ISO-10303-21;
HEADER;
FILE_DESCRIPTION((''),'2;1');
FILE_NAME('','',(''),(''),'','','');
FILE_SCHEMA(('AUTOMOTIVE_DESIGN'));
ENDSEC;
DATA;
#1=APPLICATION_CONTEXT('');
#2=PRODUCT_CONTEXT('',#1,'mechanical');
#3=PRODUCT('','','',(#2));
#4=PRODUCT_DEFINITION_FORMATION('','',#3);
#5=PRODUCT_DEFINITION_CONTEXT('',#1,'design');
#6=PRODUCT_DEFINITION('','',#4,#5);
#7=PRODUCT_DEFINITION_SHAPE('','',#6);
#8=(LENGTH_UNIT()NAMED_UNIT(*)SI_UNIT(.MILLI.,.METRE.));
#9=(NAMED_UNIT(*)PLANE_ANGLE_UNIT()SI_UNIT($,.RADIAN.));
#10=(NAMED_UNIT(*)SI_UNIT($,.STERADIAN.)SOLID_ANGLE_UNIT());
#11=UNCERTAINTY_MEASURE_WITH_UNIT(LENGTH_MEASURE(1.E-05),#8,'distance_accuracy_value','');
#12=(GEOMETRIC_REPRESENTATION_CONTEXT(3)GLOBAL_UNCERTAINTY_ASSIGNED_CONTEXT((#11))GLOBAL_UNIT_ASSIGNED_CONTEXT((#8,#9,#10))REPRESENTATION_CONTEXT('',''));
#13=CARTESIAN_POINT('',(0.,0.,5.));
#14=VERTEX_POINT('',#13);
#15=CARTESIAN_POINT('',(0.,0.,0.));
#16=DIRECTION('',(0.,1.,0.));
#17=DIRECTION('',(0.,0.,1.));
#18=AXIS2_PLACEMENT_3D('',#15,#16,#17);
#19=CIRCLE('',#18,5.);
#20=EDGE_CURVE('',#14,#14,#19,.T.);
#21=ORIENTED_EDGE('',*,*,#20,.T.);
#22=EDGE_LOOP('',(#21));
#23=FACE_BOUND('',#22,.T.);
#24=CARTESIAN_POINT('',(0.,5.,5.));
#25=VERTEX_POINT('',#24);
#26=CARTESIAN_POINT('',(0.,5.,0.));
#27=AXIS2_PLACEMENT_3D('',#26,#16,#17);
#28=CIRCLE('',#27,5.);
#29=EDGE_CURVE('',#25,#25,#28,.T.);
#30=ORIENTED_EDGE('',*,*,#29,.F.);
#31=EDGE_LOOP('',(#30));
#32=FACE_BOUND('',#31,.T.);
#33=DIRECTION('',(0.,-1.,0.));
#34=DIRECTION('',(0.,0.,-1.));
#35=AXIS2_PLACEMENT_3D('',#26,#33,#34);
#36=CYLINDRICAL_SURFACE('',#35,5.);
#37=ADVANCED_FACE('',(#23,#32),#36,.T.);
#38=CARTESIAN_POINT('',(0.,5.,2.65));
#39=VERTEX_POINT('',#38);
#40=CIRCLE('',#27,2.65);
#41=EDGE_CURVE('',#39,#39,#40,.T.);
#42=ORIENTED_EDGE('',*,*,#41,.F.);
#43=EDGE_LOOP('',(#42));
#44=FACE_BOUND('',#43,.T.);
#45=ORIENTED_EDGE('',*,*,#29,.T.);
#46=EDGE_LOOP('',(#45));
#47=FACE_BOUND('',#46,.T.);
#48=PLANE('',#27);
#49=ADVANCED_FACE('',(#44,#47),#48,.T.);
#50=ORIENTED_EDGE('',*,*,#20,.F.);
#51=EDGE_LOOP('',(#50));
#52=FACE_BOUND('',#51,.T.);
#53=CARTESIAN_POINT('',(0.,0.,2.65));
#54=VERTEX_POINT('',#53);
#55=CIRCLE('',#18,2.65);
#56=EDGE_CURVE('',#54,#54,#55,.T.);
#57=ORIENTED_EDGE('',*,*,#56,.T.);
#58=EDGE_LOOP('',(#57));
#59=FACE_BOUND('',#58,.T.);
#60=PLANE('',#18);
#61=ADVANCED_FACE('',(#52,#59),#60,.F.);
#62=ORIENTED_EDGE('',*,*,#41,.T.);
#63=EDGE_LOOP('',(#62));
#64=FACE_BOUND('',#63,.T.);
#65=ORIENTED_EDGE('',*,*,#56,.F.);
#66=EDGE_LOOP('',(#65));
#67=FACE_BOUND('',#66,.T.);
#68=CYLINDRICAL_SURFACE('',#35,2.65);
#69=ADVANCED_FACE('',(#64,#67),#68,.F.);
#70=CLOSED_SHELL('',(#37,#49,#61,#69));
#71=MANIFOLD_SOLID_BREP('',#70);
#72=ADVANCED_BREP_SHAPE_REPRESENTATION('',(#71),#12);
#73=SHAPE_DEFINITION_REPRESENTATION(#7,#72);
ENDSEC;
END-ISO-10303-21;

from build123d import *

# Parameters (mm, degrees)
SKETCH1_R           = 5
SKETCH1_R_2         = 2.65
BOSS_EXTRUDE1_DEPTH = 5


with BuildPart() as part:
    # Sketch1 → Boss-Extrude1 (new body)
    with BuildSketch(Plane(origin=(0, 0, 0), x_dir=(1, 0, 0), z_dir=(0, 1, 0))):
        Circle(SKETCH1_R)
        Circle(SKETCH1_R_2, mode=Mode.SUBTRACT)
    extrude(amount=BOSS_EXTRUDE1_DEPTH)


solid = part.part
